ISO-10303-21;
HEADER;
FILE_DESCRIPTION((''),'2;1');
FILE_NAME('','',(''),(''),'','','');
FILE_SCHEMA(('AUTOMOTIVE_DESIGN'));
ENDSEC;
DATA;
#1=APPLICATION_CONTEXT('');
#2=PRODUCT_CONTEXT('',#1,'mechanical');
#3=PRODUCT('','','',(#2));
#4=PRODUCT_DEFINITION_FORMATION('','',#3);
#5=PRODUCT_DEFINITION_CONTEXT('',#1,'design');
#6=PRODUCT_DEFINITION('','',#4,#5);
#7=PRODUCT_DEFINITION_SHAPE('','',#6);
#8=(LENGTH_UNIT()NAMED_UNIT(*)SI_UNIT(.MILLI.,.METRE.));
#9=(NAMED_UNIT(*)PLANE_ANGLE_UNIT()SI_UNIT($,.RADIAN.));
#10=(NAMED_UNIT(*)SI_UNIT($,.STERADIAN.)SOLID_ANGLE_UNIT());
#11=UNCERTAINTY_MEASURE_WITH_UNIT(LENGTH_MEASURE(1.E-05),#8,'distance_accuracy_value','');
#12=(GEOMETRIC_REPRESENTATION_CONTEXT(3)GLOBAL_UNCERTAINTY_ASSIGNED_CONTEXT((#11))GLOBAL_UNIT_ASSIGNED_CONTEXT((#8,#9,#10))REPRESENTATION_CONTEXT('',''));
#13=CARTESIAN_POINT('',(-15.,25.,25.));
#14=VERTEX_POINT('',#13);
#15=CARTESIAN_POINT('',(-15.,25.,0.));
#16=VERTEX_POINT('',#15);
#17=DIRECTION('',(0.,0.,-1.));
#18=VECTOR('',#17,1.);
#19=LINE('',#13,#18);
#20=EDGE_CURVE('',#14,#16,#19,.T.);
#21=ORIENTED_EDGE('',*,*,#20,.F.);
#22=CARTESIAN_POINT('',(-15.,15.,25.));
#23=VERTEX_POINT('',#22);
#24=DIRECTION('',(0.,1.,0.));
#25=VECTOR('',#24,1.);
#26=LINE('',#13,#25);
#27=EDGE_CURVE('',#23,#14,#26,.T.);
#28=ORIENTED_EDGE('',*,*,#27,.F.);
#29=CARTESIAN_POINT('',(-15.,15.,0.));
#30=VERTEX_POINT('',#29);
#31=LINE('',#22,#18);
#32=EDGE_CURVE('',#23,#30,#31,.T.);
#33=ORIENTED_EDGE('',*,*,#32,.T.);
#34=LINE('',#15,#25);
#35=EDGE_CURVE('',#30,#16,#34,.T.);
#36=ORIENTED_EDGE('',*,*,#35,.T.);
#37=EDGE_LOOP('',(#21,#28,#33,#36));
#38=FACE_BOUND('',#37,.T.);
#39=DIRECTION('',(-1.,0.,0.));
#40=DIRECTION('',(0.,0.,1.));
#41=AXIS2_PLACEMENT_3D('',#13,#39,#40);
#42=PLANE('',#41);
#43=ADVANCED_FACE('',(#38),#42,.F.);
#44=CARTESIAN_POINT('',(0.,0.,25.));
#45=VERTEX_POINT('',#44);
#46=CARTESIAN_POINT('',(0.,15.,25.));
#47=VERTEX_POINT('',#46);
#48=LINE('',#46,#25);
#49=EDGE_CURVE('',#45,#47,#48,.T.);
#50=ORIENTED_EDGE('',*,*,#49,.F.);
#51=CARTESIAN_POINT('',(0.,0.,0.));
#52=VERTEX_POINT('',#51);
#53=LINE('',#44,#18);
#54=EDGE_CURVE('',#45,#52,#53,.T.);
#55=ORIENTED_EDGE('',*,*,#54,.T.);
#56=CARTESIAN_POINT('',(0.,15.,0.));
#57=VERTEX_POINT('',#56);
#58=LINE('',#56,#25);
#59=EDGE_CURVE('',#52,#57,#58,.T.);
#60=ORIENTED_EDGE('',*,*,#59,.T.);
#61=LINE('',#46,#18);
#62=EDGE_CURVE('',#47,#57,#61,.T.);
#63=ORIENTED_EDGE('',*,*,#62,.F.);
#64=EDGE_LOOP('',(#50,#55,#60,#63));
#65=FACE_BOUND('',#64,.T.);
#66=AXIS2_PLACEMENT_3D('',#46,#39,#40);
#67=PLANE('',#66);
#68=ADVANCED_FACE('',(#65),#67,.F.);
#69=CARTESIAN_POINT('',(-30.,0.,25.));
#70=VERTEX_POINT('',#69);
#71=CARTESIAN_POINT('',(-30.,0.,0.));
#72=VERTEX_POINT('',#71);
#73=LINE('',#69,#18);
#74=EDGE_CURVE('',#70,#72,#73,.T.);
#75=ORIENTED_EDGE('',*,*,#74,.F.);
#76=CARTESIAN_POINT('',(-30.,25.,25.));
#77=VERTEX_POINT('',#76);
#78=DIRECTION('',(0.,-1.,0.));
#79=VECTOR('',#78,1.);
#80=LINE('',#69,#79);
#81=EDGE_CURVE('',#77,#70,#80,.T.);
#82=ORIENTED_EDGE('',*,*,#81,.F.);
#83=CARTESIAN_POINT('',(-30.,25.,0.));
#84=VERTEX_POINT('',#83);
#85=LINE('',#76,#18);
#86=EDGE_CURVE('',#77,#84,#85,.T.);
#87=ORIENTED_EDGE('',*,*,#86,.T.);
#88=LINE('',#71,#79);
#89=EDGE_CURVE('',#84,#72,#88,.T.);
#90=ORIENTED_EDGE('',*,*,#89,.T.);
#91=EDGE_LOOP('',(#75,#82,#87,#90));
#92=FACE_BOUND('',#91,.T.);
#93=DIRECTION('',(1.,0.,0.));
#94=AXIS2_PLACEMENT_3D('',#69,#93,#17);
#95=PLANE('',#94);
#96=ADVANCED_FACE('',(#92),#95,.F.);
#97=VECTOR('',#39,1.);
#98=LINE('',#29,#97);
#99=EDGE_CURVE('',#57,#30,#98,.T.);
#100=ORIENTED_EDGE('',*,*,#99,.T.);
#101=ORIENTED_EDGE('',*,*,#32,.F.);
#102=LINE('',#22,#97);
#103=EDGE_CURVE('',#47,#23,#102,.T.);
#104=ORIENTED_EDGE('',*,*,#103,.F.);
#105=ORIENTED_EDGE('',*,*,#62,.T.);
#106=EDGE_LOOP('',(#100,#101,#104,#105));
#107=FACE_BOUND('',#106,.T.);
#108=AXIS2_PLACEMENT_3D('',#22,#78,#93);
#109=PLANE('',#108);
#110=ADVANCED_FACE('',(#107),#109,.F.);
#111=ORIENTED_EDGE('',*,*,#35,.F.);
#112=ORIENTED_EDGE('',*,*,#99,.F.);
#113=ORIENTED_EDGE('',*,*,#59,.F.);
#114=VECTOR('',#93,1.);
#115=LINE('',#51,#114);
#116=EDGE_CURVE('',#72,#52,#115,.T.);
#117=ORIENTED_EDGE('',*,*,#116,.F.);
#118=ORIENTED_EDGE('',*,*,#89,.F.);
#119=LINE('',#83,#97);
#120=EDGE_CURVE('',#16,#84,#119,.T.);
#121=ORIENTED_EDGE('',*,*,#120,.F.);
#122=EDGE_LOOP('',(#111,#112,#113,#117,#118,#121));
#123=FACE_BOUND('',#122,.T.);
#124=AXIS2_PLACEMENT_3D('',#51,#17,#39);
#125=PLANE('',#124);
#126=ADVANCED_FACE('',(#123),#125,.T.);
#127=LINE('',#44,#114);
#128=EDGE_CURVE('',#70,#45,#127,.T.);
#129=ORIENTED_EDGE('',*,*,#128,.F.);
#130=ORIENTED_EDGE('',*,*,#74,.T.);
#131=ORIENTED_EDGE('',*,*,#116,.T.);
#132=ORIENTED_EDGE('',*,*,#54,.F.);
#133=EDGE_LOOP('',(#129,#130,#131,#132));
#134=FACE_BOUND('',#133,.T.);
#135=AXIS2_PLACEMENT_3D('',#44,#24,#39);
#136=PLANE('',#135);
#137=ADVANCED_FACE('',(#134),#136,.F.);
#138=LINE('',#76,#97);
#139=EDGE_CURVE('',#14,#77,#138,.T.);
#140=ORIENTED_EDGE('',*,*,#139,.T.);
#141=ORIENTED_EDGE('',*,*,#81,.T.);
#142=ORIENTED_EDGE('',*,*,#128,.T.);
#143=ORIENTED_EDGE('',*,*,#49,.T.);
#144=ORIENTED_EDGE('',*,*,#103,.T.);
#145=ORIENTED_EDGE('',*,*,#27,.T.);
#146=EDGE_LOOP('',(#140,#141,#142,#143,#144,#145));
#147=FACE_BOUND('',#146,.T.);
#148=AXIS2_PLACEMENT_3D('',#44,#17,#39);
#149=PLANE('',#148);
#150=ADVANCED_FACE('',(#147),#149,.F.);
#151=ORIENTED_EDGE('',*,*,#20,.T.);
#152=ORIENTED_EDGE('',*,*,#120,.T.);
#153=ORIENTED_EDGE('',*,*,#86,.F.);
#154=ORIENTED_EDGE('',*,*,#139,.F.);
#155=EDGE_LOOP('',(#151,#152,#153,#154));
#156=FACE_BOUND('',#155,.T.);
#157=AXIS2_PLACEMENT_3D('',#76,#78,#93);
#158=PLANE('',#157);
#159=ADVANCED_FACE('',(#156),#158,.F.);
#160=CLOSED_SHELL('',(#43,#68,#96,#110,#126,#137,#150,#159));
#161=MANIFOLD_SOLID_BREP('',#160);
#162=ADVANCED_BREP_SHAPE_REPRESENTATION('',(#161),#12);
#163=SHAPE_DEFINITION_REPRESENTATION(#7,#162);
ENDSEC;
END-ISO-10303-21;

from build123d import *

# Parameters (mm, degrees)
BOSS_EXTRUDE1_DEPTH = 25


with BuildPart() as part:
    # Sketch1 → Boss-Extrude1 (new body)
    with BuildSketch(Plane.XY):
        Polygon((-30, 25), (-15, 25), (-15, 15), (0, 15), (0, 0), (-30, 0), align=None)
    extrude(amount=BOSS_EXTRUDE1_DEPTH)


solid = part.part
